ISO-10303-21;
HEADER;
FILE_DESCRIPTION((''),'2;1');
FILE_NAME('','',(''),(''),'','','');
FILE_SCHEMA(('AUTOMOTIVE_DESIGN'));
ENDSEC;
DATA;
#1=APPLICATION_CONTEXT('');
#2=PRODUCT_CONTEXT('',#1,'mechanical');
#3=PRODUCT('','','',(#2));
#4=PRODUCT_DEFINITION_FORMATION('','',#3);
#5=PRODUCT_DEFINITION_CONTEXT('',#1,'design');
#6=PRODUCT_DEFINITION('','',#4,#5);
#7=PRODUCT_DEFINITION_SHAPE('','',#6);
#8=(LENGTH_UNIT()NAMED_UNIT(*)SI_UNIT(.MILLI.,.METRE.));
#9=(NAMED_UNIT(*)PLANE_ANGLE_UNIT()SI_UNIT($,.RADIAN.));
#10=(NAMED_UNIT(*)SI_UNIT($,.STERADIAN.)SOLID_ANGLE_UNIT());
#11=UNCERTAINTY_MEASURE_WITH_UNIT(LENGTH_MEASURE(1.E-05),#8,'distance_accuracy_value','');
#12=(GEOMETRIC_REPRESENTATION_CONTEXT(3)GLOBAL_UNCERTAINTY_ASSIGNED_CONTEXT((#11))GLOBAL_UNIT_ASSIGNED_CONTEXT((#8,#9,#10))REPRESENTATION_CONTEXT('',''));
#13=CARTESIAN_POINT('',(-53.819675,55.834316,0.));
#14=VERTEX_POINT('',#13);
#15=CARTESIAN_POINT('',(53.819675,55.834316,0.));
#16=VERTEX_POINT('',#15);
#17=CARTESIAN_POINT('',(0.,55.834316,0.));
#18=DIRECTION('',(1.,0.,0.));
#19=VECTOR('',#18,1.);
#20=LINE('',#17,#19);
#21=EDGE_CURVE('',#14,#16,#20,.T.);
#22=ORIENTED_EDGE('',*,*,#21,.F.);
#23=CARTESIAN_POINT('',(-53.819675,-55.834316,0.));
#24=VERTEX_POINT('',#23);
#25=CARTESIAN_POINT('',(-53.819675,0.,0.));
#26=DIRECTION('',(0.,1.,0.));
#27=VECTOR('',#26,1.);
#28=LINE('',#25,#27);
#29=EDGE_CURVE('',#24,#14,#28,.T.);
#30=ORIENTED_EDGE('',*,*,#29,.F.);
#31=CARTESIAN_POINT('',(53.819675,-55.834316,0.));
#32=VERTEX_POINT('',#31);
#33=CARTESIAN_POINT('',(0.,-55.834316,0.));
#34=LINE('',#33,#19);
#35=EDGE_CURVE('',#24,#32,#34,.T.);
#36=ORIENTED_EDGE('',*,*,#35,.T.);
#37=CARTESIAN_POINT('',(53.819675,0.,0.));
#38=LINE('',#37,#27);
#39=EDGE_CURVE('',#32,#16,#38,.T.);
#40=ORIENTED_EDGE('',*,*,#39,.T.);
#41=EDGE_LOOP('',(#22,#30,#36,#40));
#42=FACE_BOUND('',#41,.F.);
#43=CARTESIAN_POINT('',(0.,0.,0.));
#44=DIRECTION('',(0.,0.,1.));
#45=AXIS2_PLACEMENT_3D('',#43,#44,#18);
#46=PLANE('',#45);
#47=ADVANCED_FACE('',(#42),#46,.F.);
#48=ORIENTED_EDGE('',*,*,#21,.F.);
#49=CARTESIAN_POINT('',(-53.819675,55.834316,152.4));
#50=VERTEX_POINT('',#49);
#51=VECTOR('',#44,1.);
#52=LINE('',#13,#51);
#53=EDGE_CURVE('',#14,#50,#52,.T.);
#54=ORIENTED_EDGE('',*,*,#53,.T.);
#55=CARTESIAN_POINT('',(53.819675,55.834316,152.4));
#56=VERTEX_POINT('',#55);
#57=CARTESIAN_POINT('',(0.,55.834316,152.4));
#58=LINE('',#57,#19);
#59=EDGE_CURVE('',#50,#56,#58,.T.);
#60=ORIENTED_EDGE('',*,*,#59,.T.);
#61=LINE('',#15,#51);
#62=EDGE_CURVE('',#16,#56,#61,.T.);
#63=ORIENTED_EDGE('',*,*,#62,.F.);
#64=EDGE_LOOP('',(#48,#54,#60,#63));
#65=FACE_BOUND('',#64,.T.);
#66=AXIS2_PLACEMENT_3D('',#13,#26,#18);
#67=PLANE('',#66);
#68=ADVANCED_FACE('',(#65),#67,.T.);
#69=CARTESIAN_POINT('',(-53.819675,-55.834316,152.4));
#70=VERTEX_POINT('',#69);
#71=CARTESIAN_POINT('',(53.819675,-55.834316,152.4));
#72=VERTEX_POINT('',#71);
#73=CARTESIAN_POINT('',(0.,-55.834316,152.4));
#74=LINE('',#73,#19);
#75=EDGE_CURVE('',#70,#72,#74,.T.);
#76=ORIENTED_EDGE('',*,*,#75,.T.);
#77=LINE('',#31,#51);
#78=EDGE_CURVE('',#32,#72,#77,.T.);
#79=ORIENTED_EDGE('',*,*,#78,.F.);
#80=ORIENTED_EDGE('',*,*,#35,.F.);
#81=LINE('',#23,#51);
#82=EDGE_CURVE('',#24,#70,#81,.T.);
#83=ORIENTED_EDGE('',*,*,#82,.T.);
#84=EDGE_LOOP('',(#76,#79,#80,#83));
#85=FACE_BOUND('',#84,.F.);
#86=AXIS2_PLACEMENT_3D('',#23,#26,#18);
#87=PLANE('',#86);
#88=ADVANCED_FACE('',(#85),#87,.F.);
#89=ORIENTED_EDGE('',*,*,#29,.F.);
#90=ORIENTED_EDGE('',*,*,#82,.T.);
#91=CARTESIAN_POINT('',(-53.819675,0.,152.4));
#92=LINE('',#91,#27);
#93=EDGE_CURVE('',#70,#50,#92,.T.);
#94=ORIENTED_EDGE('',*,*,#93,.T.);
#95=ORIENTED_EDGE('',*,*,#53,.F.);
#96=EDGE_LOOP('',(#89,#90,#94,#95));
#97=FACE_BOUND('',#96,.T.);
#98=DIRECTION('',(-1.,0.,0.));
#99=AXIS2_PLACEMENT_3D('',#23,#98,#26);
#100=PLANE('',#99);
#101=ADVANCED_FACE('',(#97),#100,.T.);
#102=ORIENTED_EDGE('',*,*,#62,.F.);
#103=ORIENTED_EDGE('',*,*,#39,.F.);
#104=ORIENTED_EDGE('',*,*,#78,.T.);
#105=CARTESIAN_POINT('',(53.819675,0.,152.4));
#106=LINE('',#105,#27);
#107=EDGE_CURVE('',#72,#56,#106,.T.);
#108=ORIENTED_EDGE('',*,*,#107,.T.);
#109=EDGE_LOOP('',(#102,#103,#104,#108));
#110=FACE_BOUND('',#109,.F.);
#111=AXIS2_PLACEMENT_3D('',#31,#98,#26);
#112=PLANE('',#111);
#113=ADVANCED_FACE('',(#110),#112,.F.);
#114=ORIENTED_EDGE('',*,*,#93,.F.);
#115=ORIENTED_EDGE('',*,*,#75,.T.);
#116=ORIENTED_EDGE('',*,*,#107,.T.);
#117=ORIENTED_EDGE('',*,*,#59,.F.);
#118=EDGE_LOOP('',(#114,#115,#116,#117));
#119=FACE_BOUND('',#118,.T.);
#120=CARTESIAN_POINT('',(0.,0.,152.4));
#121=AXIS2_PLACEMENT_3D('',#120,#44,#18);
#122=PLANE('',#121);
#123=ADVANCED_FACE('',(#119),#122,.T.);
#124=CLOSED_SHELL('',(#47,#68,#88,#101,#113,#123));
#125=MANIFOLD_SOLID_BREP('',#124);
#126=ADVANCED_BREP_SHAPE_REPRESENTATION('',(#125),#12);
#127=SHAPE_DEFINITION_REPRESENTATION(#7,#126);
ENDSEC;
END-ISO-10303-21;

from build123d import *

# Parameters (mm, degrees)
F0_W     = 107.63935
F0_H     = 111.668632
F1_DEPTH = 152.4
F2_R     = 38.476732
F3_DEPTH = 152.4


with BuildPart() as f1:
    # F0 (on Top) → F1 (new body)
    with BuildSketch(Plane.XY):
        Rectangle(F0_W, F0_H)
    extrude(amount=F1_DEPTH)

    # F2 (on Top) → F3 (join)
    with BuildSketch(Plane.XY):
        Circle(F2_R)
    extrude(amount=F3_DEPTH)


solid = f1.part
